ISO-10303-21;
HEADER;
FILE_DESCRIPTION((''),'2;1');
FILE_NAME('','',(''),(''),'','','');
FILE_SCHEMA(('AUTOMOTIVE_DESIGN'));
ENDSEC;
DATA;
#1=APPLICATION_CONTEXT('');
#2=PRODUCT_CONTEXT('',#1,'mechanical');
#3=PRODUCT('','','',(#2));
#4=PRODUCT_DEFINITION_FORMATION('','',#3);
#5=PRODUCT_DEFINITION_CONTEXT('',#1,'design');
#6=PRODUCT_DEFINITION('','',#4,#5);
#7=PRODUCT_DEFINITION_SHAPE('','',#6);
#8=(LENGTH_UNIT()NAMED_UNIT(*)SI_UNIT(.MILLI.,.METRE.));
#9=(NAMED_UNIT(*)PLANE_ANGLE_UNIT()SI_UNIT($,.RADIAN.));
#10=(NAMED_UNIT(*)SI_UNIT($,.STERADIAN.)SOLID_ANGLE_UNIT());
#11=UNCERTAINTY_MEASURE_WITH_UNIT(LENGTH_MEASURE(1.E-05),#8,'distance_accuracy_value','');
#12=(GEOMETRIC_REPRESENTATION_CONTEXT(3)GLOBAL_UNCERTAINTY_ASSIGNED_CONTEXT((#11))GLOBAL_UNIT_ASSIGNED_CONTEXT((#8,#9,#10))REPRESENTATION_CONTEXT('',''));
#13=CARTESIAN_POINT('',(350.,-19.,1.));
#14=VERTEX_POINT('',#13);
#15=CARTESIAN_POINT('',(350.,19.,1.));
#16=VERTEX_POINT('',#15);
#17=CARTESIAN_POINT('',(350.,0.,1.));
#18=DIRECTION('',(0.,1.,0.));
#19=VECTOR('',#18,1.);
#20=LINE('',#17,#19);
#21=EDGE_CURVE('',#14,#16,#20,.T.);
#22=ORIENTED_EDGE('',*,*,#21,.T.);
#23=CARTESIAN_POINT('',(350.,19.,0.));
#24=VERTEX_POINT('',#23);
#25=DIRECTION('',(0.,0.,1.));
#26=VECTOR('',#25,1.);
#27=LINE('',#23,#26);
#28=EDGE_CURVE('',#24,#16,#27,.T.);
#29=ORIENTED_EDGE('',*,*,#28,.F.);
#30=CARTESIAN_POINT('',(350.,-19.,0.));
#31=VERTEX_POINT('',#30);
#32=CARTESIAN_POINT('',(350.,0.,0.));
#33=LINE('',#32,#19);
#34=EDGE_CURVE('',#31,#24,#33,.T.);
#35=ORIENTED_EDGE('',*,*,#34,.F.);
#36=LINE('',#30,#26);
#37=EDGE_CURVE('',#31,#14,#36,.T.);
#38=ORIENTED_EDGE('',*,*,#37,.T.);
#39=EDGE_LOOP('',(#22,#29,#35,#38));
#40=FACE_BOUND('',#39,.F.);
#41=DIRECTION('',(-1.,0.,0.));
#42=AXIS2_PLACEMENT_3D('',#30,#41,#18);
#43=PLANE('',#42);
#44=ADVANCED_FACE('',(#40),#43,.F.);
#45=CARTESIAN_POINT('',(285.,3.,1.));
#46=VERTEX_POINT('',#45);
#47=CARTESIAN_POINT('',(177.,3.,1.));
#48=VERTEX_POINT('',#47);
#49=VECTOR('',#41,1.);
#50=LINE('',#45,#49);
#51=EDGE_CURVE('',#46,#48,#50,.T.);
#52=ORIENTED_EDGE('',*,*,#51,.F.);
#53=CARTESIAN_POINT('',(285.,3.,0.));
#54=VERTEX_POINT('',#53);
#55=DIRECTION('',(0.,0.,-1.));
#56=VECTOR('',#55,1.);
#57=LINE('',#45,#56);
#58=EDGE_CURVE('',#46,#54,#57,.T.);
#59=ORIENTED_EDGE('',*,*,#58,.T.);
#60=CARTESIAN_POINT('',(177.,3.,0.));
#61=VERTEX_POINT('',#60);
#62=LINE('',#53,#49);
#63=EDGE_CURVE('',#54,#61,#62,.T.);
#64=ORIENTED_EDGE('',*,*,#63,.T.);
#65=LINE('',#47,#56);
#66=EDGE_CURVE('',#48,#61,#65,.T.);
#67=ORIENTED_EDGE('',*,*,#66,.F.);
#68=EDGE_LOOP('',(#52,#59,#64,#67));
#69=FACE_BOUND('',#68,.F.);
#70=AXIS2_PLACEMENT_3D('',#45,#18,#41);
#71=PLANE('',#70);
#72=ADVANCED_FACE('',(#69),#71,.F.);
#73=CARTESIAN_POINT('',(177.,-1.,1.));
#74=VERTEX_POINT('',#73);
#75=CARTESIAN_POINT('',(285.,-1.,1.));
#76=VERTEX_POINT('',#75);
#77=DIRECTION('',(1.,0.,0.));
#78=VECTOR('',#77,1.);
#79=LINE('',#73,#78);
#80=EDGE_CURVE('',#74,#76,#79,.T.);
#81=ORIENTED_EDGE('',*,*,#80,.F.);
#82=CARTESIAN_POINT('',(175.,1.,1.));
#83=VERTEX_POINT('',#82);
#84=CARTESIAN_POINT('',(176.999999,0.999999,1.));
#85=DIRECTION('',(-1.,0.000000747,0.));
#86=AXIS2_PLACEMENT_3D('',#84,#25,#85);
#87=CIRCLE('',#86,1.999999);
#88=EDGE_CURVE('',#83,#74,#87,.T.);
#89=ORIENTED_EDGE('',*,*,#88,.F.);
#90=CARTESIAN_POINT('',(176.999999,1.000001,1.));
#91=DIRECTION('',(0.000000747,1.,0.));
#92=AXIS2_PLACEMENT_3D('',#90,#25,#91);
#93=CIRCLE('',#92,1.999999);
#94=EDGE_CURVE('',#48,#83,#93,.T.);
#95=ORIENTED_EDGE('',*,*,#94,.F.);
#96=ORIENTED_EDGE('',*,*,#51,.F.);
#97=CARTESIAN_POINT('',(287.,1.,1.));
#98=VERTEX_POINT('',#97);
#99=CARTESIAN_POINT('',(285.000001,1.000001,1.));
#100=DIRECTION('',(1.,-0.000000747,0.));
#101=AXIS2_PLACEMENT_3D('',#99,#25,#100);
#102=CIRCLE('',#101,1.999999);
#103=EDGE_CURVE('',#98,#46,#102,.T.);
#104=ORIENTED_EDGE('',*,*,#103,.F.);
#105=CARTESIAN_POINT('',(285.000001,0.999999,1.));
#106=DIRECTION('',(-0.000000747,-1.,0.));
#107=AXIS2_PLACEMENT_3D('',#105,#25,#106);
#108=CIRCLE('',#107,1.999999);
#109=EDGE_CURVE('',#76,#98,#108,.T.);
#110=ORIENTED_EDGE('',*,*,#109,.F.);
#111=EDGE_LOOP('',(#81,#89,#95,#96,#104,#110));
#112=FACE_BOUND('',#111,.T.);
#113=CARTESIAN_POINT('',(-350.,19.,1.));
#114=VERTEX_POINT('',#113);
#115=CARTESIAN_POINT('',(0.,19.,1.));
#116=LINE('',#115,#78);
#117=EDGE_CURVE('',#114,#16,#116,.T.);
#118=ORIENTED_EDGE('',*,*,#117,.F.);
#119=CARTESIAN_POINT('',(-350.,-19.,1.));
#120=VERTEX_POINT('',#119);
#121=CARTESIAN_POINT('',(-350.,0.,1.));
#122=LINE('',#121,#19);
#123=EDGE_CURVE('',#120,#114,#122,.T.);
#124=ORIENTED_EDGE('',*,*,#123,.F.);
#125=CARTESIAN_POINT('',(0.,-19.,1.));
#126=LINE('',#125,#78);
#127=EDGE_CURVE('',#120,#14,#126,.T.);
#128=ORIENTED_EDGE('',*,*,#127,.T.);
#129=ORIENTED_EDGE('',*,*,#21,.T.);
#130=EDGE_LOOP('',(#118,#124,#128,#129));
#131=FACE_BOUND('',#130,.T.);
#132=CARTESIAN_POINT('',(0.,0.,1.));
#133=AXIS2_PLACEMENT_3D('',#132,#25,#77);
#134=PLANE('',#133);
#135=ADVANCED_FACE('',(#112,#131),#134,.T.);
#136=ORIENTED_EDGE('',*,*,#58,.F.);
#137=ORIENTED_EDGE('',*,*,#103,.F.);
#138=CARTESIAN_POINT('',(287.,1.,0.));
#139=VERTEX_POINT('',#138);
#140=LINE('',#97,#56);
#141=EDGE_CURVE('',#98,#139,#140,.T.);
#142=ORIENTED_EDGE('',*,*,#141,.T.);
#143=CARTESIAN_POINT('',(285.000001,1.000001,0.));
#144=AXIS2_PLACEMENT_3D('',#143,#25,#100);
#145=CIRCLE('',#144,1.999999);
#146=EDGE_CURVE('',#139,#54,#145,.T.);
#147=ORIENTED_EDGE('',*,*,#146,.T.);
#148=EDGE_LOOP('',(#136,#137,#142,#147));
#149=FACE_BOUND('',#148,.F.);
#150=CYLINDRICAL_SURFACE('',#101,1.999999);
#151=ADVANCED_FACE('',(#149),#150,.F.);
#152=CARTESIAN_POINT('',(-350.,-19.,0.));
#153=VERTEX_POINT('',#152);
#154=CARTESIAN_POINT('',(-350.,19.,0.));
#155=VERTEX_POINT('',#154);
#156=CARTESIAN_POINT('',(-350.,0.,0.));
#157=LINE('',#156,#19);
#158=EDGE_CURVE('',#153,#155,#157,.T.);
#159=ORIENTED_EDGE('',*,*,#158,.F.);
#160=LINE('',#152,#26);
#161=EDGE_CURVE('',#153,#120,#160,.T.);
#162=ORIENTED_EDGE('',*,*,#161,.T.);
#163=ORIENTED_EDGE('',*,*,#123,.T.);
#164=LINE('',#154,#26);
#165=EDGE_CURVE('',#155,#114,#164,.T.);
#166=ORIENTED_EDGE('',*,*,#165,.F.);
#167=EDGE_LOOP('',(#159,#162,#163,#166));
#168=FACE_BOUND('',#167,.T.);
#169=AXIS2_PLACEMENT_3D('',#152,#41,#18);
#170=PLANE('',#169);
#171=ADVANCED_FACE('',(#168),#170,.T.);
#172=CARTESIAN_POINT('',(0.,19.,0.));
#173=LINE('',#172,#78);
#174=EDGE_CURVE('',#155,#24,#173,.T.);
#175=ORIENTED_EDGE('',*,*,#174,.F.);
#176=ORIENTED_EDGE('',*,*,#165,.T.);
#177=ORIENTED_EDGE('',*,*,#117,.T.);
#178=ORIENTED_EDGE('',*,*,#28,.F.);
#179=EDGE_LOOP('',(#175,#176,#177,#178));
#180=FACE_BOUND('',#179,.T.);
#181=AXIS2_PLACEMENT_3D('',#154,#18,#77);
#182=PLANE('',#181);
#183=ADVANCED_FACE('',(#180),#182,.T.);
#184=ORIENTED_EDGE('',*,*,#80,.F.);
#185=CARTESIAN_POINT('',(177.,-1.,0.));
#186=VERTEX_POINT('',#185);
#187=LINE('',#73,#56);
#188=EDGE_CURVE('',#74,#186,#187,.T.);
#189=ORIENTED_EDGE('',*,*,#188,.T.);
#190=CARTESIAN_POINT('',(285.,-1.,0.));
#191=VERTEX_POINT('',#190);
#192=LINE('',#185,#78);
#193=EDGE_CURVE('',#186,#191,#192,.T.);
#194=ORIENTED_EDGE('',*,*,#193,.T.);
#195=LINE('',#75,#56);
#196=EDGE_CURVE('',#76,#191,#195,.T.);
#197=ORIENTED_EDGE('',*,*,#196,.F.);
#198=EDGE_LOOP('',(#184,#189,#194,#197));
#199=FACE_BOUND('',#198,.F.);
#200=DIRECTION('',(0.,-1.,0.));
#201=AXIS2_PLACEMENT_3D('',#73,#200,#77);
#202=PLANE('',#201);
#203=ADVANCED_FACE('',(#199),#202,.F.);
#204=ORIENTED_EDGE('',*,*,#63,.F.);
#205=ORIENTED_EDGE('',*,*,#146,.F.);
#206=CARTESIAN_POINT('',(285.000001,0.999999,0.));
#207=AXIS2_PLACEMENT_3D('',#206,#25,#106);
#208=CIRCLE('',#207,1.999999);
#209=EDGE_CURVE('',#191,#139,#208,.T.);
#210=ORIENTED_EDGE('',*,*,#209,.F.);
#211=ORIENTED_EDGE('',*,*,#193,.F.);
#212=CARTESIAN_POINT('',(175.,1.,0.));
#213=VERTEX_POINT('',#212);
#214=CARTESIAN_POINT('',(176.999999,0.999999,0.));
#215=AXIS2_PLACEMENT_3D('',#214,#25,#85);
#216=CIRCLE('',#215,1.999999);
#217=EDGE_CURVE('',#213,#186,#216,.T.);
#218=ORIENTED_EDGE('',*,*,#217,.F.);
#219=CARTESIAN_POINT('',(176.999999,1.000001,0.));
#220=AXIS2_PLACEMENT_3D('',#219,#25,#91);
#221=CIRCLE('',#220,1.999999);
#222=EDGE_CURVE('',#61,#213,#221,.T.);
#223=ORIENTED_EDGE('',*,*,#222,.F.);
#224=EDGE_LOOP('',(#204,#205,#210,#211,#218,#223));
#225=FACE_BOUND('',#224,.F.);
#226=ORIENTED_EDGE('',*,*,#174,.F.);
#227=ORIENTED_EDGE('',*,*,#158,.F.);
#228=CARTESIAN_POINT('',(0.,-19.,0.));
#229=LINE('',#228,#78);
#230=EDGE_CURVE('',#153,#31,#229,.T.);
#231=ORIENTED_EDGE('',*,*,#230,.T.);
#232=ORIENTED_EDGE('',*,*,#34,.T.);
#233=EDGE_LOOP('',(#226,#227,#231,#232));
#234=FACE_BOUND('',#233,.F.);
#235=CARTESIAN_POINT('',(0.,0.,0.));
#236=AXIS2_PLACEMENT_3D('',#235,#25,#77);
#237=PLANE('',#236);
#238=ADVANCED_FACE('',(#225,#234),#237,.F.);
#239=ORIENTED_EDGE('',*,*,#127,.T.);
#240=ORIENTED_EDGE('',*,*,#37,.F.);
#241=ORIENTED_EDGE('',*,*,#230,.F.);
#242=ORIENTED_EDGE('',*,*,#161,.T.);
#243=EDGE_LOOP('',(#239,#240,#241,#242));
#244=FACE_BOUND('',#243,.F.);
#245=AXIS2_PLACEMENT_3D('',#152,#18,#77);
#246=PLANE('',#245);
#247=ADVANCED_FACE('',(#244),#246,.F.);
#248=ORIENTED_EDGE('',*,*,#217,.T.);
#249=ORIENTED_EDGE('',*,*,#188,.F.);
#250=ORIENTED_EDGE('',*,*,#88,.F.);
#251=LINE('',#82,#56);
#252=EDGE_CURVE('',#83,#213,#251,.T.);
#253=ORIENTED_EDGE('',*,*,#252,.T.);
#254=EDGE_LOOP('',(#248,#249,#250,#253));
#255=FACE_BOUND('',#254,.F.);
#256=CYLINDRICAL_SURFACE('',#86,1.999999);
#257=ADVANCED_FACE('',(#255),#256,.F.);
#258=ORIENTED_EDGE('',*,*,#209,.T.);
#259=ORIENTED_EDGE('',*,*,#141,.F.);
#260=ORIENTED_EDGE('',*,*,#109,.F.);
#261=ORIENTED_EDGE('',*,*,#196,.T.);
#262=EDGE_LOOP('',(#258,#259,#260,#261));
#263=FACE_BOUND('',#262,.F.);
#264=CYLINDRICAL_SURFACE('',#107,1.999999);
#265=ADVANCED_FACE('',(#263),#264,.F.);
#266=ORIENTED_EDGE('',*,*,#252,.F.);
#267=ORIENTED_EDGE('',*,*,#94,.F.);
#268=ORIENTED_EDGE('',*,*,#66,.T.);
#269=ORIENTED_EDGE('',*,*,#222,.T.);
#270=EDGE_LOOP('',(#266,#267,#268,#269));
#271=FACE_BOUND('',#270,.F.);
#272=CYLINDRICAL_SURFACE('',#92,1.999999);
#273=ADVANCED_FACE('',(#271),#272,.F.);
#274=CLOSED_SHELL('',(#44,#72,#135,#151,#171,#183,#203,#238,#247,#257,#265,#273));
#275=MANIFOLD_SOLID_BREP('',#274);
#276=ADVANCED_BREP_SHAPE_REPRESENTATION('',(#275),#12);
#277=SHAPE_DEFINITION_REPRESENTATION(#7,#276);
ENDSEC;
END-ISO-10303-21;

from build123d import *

# Parameters (mm, degrees)
F0_W     = 700
F0_H     = 38
F1_DEPTH = 1
F3_DEPTH = 1


with BuildPart() as f1:
    # F0 (on Top) → F1 (new body)
    with BuildSketch(Plane.XY):
        Rectangle(F0_W, F0_H)
    extrude(amount=F1_DEPTH)

    # F2 (on face) → F3 (cut)
    with BuildSketch(Plane.XY.offset(1)):
        with BuildLine():
            Line((285, 3), (177, 3))
            ThreePointArc((177, 3), (175.585786, 2.414214), (175, 1))
            ThreePointArc((175, 1), (175.585786, -0.414214), (177, -1))
            Line((177, -1), (285, -1))
            ThreePointArc((285, -1), (286.414214, -0.414214), (287, 1))
            ThreePointArc((287, 1), (286.414214, 2.414214), (285, 3))
        make_face()
    extrude(amount=-F3_DEPTH, mode=Mode.SUBTRACT)


solid = f1.part
